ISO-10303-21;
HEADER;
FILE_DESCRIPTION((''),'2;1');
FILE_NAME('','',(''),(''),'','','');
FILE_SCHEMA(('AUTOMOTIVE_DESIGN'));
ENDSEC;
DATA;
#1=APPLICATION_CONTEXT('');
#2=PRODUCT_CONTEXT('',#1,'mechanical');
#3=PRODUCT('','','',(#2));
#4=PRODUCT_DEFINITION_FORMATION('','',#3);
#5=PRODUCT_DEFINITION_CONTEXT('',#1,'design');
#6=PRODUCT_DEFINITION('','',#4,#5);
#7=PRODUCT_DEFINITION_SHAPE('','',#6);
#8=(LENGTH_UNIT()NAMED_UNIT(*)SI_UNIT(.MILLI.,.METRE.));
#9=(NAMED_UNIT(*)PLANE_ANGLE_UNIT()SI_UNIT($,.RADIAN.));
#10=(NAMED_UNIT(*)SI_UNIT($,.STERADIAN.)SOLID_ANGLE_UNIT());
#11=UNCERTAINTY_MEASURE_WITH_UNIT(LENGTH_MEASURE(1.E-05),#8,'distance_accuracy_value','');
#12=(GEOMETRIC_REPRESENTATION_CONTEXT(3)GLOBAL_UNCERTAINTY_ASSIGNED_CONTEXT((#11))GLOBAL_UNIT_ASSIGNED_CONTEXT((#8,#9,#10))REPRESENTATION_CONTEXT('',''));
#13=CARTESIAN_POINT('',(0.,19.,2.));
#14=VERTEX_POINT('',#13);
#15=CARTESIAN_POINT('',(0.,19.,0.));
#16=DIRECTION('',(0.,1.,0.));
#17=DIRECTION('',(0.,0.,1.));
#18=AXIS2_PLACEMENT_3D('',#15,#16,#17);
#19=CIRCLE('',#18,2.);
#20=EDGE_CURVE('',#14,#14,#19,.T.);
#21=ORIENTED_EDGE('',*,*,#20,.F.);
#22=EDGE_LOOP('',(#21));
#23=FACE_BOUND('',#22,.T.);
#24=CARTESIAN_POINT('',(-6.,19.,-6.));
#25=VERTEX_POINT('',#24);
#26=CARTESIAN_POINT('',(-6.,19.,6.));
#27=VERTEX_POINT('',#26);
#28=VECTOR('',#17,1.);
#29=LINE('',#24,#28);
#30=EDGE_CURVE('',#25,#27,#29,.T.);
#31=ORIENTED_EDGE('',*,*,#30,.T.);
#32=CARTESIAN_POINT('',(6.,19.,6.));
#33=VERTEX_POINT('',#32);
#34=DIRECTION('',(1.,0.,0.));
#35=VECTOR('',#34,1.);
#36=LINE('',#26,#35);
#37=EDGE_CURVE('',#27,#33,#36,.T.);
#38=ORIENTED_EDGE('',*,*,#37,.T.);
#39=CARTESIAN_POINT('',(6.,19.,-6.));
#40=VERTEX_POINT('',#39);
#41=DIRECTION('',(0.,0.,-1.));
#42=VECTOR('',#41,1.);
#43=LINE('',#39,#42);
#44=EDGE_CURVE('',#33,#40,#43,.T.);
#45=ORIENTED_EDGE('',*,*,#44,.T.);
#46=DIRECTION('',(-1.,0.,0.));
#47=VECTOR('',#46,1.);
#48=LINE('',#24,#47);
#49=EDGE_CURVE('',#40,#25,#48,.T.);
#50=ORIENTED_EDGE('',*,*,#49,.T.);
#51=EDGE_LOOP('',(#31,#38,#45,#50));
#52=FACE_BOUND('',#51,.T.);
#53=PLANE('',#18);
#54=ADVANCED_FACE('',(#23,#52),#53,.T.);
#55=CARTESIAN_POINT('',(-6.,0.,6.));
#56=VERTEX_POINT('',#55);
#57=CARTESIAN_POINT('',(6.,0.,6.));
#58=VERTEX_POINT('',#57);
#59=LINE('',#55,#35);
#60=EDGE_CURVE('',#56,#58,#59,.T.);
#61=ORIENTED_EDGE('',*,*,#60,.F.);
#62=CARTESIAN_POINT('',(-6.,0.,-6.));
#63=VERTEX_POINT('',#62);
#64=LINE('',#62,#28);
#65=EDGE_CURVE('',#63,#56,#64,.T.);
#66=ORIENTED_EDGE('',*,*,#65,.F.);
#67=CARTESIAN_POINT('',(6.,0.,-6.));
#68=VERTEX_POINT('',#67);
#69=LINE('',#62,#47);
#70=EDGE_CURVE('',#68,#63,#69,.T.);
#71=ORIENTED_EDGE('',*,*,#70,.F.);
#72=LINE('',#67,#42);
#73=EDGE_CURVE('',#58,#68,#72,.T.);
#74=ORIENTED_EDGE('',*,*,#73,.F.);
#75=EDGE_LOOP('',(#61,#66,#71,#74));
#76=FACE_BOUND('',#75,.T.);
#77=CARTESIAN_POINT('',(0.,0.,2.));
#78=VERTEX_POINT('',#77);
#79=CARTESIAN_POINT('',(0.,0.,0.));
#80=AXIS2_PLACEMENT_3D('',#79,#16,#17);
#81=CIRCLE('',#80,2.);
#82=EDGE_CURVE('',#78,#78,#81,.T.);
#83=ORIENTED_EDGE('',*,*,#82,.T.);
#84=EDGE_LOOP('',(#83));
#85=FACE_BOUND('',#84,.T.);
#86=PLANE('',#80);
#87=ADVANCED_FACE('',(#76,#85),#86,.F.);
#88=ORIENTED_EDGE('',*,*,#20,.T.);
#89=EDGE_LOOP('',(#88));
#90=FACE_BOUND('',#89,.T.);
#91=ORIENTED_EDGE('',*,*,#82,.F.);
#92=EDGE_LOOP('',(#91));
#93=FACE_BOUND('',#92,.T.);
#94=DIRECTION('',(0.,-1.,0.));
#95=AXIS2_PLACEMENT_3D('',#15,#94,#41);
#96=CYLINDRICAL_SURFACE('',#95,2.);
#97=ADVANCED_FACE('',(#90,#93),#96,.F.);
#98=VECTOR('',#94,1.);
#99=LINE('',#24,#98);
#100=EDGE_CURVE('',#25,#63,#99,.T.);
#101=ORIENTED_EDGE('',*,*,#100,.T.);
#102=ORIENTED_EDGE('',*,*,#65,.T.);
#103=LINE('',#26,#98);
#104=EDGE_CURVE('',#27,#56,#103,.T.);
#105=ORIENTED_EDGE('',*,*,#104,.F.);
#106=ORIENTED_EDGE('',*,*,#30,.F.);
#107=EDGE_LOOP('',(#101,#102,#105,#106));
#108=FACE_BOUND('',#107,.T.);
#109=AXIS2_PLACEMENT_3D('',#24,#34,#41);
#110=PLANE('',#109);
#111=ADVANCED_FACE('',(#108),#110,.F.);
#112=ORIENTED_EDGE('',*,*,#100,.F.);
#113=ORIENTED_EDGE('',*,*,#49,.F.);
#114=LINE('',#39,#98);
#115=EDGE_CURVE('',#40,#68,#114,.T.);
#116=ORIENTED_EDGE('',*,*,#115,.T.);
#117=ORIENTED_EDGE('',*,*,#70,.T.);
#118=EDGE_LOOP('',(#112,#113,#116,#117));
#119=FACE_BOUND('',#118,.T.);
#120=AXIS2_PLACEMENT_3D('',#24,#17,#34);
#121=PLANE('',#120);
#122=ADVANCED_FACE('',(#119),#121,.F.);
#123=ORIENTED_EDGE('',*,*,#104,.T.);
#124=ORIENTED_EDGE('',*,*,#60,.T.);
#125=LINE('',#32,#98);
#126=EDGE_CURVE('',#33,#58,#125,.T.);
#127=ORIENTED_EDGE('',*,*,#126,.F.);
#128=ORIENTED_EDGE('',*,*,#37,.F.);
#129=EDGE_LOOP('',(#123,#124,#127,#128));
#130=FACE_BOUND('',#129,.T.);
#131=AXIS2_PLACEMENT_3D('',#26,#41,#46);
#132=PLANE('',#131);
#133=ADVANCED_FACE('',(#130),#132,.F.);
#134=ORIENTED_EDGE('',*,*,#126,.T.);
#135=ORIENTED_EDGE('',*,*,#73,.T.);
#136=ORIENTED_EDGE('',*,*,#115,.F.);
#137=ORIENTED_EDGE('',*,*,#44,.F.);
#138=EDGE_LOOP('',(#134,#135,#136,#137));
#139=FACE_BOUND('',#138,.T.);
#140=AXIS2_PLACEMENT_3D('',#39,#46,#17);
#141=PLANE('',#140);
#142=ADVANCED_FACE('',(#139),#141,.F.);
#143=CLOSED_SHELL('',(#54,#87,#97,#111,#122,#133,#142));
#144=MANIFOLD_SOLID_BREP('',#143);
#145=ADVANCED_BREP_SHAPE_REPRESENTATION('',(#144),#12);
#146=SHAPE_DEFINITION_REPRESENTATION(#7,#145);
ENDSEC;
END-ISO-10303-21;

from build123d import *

# Parameters (mm, degrees)
SKETCH1_W           = 12
SKETCH1_H           = 12
SKETCH1_R           = 2
BOSS_EXTRUDE1_DEPTH = 19


with BuildPart() as part:
    # Sketch1 → Boss-Extrude1 (new body)
    with BuildSketch(Plane(origin=(0, 0, 0), x_dir=(1, 0, 0), z_dir=(0, 1, 0))):
        Rectangle(SKETCH1_W, SKETCH1_H)
        Circle(SKETCH1_R, mode=Mode.SUBTRACT)
    extrude(amount=BOSS_EXTRUDE1_DEPTH)


solid = part.part
